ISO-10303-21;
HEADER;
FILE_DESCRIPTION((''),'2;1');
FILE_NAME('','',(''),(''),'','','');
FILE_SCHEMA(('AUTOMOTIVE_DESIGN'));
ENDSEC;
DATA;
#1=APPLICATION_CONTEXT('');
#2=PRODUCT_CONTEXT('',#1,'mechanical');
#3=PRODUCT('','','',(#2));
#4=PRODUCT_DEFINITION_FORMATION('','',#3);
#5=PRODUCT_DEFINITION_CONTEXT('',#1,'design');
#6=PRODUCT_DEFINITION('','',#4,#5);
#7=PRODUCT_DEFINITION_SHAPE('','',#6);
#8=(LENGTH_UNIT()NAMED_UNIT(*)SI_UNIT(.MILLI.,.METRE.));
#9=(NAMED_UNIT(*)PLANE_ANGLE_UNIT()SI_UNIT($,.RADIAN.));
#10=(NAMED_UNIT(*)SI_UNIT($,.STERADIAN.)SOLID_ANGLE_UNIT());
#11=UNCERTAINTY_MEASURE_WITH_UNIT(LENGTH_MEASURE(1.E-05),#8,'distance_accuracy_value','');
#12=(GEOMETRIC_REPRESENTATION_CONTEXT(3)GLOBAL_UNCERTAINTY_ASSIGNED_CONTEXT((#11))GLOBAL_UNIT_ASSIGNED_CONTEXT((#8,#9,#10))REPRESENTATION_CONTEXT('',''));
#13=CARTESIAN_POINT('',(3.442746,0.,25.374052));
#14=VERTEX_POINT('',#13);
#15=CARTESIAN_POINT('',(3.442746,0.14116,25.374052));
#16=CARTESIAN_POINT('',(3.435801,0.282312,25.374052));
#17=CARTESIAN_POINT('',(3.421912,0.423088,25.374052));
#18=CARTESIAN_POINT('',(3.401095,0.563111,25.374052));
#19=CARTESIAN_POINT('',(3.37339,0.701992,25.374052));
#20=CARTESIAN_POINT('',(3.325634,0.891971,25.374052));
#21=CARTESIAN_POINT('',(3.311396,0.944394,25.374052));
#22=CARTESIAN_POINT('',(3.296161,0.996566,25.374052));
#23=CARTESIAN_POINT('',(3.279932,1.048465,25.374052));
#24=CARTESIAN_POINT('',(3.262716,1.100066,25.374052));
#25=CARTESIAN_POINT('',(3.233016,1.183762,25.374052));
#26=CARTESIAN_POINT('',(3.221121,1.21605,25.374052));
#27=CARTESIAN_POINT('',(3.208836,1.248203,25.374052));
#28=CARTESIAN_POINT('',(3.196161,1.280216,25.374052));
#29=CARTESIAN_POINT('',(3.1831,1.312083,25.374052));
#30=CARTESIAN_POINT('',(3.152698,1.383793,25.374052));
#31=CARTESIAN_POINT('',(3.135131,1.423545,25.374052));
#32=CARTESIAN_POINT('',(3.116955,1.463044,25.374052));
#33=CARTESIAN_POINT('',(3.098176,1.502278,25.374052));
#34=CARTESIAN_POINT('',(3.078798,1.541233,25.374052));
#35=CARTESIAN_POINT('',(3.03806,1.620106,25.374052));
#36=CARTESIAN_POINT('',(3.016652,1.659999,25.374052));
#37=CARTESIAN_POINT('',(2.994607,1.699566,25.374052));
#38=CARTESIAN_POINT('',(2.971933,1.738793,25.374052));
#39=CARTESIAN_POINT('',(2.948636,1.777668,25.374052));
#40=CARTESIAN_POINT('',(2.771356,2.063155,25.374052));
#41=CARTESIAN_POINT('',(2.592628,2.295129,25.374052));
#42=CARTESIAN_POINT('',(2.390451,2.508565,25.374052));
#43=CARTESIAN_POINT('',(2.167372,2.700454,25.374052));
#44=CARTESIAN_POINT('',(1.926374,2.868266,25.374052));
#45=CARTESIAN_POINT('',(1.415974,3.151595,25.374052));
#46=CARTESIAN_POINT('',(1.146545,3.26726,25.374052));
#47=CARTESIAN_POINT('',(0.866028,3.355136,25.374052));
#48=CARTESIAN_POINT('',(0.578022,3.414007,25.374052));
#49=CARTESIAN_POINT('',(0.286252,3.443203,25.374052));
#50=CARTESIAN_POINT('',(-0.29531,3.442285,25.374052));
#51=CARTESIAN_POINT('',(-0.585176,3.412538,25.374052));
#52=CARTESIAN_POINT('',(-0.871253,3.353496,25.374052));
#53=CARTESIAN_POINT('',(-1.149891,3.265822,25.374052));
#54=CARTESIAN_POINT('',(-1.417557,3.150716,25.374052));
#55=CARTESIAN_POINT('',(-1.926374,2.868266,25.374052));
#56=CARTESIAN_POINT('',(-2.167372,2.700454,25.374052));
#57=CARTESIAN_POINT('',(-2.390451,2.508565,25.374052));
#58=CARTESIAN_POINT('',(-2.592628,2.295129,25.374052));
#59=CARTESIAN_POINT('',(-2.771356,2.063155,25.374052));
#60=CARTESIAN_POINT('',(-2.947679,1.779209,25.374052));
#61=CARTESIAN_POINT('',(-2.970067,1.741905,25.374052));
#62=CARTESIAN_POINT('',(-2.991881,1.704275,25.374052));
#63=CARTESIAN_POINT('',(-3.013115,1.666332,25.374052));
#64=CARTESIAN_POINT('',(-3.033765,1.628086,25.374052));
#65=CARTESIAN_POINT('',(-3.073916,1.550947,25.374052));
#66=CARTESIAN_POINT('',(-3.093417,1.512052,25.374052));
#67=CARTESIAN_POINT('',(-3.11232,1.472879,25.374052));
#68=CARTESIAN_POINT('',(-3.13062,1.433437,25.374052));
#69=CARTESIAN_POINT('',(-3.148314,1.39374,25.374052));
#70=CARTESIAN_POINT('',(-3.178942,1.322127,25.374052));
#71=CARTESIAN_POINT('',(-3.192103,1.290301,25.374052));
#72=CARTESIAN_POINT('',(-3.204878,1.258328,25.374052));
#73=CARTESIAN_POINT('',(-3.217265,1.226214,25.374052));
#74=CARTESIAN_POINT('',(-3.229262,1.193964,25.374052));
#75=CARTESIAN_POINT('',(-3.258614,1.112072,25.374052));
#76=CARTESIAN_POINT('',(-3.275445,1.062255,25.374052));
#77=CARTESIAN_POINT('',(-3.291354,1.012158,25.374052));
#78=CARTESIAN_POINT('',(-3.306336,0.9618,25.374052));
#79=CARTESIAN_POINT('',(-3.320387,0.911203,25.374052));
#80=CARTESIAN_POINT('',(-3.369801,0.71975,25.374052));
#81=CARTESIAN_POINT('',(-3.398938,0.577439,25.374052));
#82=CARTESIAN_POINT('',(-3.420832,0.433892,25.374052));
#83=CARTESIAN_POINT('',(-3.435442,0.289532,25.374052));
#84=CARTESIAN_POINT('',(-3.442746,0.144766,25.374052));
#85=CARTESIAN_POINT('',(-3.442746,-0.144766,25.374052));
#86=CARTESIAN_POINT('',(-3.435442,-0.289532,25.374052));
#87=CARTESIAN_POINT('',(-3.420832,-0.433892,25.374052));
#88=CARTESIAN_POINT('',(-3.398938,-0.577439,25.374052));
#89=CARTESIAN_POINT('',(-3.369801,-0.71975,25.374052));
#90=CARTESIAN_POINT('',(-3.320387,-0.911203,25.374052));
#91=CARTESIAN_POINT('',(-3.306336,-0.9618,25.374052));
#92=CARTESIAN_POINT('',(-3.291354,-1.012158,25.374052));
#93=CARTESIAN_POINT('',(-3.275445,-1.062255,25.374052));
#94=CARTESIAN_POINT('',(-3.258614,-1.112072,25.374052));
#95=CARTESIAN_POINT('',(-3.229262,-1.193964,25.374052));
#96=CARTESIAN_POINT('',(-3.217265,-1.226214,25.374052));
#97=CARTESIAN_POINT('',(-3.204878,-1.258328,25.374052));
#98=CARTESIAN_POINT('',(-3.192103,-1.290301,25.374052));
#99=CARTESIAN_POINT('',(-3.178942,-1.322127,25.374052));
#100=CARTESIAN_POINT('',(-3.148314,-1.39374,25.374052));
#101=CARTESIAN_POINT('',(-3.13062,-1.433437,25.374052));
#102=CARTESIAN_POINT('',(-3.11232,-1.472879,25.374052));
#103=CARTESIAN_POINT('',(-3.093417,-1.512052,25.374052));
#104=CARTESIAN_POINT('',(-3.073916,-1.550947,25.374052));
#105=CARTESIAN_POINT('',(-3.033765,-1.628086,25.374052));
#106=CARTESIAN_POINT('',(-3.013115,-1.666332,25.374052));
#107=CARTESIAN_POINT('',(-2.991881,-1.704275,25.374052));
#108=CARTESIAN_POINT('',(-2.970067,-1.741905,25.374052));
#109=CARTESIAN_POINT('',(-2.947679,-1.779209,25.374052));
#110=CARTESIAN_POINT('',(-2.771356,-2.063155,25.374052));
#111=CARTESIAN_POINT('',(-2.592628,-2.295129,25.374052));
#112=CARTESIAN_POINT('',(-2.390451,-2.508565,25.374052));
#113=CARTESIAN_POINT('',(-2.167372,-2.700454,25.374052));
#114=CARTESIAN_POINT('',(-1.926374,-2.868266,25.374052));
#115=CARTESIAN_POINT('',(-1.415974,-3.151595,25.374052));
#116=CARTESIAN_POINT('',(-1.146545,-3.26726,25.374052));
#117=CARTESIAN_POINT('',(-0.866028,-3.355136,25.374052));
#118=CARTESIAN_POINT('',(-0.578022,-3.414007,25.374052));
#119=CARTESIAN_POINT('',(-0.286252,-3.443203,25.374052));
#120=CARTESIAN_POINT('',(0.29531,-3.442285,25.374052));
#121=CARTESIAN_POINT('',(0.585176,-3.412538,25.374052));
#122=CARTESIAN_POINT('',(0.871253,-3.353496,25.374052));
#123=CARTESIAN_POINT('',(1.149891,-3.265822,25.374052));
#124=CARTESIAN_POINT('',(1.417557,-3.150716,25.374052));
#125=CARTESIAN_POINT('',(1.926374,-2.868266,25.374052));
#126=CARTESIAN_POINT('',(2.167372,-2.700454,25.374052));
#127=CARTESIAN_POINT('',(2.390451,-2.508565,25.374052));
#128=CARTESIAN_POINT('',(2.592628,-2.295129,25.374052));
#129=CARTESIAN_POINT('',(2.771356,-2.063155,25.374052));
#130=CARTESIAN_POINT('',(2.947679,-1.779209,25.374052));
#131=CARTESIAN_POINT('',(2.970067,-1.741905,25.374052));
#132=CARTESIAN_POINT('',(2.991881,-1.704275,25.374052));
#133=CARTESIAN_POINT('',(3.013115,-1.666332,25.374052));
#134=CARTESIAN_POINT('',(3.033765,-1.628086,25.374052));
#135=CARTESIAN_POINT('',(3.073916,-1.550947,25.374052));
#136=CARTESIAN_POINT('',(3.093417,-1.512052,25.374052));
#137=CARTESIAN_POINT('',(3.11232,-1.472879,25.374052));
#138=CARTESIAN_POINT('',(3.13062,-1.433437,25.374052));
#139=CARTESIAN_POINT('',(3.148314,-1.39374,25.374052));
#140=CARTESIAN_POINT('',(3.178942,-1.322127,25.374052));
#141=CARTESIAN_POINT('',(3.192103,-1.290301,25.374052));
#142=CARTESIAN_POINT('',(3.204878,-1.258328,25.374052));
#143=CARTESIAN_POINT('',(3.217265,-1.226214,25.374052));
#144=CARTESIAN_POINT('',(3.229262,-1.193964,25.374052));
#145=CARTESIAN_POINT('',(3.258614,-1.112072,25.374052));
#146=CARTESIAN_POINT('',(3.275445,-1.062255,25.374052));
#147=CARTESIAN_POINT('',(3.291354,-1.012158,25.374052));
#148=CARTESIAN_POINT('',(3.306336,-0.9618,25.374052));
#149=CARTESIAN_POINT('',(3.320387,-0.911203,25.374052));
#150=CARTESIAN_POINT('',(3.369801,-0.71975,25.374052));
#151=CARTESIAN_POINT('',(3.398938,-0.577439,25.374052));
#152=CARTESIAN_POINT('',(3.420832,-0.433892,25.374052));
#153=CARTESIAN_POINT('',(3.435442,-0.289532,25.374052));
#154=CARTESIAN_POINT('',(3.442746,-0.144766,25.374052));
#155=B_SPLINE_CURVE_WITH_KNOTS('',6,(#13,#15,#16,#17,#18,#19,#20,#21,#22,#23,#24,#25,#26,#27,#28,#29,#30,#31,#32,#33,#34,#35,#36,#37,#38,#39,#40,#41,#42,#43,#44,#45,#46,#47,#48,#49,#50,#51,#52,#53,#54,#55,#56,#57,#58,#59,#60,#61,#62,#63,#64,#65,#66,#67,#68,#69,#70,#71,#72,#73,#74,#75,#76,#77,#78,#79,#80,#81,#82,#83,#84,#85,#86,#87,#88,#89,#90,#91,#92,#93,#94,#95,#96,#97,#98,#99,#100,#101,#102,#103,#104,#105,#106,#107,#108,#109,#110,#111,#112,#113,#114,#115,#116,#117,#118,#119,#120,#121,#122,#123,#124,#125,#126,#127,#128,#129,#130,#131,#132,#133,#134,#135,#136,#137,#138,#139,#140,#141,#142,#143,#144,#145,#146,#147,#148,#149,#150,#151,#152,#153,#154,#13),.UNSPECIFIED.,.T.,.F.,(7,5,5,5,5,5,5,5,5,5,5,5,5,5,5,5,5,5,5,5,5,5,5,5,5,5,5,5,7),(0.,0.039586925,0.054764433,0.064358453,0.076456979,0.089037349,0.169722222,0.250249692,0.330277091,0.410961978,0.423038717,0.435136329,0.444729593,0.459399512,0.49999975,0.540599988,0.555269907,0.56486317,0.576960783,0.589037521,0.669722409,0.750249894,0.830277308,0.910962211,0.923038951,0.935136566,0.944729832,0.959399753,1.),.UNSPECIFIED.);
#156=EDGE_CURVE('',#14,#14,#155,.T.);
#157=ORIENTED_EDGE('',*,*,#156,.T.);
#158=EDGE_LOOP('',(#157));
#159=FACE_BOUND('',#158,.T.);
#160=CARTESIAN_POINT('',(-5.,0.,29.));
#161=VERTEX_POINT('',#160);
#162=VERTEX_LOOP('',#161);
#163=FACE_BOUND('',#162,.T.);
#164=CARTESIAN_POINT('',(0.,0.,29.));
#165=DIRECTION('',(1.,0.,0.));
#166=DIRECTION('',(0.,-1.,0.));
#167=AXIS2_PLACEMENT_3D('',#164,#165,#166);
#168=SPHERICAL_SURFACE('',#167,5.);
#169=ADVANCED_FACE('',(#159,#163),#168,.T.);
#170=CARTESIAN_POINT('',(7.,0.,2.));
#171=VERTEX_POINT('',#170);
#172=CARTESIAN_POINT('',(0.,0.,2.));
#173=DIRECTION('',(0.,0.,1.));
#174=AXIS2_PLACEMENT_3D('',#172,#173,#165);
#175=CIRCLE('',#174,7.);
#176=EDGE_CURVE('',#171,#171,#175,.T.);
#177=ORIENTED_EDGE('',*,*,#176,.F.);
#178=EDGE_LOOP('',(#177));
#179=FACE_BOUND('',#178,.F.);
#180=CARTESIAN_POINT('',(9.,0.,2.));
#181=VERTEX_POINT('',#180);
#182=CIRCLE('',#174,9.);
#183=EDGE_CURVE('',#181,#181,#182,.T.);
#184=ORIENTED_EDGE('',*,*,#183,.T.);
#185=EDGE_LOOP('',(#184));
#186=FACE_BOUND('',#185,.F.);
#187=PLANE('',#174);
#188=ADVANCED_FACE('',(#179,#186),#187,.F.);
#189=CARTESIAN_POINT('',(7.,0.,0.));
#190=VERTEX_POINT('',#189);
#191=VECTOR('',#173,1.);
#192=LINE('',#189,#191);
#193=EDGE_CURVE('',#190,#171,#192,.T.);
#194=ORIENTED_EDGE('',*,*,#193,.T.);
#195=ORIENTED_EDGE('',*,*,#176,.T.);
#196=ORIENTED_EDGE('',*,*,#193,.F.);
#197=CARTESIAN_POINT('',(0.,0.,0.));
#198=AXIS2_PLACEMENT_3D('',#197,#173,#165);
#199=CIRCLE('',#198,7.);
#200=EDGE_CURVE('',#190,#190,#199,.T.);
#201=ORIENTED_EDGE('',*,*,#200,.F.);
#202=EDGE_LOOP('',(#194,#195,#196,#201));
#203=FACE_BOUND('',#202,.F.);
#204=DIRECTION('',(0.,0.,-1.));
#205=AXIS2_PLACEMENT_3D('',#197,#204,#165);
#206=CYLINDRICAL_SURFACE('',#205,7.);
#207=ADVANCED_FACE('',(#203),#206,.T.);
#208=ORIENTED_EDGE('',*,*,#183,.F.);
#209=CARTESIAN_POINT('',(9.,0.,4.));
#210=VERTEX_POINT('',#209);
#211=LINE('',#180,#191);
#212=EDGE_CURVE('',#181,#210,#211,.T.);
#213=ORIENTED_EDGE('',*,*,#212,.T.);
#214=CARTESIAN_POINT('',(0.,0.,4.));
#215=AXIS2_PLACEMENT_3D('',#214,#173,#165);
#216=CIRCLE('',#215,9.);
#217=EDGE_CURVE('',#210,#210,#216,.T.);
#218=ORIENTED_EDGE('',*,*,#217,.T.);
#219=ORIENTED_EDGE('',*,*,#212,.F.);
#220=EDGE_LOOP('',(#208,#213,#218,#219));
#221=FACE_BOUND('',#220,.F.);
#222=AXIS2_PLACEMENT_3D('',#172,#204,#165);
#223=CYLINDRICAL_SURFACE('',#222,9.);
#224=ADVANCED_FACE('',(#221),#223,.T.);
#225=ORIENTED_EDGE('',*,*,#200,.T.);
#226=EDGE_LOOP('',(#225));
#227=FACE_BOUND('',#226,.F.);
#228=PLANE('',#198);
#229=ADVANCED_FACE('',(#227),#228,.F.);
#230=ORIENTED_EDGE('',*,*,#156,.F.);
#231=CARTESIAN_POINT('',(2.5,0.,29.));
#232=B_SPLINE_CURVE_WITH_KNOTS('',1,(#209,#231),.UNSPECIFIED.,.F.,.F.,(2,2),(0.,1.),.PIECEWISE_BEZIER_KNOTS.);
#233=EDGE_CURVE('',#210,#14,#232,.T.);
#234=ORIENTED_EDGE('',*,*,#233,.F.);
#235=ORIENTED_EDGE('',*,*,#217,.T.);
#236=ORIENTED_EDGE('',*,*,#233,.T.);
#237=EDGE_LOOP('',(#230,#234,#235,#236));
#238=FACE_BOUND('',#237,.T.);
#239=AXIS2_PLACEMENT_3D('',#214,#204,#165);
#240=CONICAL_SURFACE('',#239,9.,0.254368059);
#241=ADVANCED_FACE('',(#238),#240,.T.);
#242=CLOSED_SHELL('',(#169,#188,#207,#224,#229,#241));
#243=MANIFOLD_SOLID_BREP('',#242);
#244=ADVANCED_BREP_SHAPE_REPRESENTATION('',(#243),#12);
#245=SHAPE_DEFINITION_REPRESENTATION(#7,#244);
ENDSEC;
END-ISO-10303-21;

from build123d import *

# Parameters (mm, degrees)
F0_R      = 7
F1_DEPTH  = 2
F2_R      = 9
F3_DEPTH  = 2
F3_FACE_R = 9
F5_R      = 2.5


with BuildPart() as f1:
    # F0 (on Top) → F1 (new body)
    with BuildSketch(Plane.XY):
        Circle(F0_R)
    extrude(amount=F1_DEPTH)

    # F2 (on face) → F3 (join)
    with BuildSketch(Plane.XY.offset(2)):
        Circle(F2_R)
    extrude(amount=F3_DEPTH)

    # F3_face (on face) → F6 section 0
    with BuildSketch(Plane.XY.offset(4)):
        Circle(F3_FACE_R)
    # F5 (on offset) → F6 section 1
    with BuildSketch(Plane.XY.offset(29)):
        Circle(F5_R)
    loft()

    # F7 (on offset) → F8 (revolve)
    with BuildSketch(Plane.XY.offset(29)):
        with BuildLine():
            Line((5, 0), (-5, 0))
            ThreePointArc((-5, 0), (0, -5), (5, 0))
        make_face()
    revolve(axis=Axis((0, 0, 29), (1, 0, 0)))


solid = f1.part
